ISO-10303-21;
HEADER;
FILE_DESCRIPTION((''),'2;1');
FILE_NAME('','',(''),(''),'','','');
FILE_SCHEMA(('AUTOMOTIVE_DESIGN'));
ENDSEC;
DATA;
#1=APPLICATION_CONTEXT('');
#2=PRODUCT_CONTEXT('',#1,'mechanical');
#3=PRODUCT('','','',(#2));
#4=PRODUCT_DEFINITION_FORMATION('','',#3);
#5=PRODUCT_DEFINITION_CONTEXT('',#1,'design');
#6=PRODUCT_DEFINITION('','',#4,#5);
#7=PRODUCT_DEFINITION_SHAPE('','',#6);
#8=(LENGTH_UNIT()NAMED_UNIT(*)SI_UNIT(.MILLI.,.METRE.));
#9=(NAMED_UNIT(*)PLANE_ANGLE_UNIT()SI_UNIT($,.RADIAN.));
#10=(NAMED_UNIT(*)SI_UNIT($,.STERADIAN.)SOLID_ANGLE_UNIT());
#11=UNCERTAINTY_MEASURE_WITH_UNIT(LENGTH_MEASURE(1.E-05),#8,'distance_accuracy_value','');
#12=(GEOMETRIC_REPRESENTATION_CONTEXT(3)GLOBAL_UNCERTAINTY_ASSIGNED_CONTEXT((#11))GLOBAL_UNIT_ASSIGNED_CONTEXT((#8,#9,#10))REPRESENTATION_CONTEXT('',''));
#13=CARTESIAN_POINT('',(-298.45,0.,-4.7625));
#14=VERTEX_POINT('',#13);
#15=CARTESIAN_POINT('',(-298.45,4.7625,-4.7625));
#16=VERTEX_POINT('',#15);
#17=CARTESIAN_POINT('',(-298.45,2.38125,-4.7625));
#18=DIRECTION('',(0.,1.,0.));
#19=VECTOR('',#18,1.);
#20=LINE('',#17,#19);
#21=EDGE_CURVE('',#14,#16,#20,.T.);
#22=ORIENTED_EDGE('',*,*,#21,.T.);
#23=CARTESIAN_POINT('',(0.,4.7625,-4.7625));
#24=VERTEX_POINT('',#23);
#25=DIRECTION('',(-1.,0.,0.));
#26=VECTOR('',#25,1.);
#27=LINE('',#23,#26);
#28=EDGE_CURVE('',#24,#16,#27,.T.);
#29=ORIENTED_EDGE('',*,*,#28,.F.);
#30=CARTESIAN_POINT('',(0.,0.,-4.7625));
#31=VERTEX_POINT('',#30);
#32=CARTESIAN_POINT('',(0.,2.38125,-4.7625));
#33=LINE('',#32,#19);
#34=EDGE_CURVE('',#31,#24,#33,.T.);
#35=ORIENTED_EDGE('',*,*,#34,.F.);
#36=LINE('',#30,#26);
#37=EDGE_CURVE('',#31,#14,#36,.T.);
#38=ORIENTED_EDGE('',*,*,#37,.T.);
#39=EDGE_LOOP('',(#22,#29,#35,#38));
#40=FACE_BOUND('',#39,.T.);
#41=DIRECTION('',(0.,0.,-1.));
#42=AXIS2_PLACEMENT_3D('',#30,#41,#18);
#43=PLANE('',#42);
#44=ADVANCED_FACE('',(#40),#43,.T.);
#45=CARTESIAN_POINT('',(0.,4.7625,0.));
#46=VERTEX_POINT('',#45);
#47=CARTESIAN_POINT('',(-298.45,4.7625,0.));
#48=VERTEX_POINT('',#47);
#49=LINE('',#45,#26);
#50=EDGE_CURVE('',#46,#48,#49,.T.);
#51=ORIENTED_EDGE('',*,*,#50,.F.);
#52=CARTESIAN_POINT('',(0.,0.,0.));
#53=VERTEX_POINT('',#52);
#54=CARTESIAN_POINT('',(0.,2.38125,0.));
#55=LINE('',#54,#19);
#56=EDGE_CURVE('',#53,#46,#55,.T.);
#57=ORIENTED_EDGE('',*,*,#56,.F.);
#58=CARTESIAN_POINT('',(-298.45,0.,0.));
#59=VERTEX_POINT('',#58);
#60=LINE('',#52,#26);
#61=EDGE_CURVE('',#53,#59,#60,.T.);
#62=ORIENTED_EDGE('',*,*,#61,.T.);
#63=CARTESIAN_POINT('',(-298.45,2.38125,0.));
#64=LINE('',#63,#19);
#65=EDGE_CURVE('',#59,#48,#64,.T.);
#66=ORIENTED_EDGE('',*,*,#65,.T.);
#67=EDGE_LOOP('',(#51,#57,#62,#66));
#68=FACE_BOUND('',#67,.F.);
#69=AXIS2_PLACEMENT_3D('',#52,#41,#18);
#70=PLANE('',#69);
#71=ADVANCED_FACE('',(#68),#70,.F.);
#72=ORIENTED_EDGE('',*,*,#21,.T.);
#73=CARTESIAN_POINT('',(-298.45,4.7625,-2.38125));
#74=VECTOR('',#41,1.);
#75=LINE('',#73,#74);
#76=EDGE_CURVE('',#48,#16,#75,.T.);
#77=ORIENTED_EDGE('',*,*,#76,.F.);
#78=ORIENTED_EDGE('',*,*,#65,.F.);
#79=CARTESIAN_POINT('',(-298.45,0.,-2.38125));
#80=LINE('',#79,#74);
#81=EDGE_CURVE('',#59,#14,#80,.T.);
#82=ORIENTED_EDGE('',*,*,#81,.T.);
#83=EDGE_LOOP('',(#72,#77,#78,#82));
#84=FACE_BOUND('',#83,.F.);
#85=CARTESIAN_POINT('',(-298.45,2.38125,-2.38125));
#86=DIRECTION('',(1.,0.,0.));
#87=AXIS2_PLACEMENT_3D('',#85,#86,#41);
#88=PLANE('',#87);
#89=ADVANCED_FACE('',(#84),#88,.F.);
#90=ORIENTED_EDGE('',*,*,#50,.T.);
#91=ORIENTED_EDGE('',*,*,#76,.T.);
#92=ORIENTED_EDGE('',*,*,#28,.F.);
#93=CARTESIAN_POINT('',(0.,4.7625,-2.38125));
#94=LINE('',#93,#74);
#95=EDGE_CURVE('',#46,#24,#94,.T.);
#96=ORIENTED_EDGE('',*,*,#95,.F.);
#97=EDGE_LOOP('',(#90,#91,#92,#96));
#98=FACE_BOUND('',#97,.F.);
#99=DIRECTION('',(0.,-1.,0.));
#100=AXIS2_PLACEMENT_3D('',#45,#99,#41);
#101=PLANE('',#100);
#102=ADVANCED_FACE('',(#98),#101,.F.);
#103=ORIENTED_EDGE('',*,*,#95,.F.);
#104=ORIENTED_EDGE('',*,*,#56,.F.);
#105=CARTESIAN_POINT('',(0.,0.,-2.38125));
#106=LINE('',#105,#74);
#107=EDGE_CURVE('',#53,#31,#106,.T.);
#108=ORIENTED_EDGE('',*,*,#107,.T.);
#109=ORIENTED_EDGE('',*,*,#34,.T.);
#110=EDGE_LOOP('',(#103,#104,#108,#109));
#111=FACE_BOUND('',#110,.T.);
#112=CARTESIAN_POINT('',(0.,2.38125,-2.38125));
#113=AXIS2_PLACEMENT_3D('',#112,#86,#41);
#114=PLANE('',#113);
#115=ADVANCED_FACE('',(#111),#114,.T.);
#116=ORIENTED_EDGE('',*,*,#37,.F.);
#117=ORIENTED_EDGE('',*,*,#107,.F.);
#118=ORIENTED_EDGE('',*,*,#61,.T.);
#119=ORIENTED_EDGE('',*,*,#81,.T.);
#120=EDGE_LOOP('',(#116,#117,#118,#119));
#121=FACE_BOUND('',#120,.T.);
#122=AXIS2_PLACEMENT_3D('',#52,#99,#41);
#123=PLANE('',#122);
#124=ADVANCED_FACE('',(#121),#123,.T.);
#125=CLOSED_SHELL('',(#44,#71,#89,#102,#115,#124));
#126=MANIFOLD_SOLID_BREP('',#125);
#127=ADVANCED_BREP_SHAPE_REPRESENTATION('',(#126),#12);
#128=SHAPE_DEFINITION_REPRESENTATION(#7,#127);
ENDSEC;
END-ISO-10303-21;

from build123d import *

# Parameters (mm, degrees)
SKETCH2_W           = 4.7625
SKETCH2_H           = 4.7625
BOSS_EXTRUDE1_DEPTH = 298.45


with BuildPart() as part:
    # Sketch2 → Boss-Extrude1 (new body)
    with BuildSketch(Plane(origin=(0, 0, 0), x_dir=(0, 0, -1), z_dir=(1, 0, 0))):
        with Locations((2.38125, 2.38125)):
            Rectangle(SKETCH2_W, SKETCH2_H)
    extrude(amount=-BOSS_EXTRUDE1_DEPTH)


solid = part.part
